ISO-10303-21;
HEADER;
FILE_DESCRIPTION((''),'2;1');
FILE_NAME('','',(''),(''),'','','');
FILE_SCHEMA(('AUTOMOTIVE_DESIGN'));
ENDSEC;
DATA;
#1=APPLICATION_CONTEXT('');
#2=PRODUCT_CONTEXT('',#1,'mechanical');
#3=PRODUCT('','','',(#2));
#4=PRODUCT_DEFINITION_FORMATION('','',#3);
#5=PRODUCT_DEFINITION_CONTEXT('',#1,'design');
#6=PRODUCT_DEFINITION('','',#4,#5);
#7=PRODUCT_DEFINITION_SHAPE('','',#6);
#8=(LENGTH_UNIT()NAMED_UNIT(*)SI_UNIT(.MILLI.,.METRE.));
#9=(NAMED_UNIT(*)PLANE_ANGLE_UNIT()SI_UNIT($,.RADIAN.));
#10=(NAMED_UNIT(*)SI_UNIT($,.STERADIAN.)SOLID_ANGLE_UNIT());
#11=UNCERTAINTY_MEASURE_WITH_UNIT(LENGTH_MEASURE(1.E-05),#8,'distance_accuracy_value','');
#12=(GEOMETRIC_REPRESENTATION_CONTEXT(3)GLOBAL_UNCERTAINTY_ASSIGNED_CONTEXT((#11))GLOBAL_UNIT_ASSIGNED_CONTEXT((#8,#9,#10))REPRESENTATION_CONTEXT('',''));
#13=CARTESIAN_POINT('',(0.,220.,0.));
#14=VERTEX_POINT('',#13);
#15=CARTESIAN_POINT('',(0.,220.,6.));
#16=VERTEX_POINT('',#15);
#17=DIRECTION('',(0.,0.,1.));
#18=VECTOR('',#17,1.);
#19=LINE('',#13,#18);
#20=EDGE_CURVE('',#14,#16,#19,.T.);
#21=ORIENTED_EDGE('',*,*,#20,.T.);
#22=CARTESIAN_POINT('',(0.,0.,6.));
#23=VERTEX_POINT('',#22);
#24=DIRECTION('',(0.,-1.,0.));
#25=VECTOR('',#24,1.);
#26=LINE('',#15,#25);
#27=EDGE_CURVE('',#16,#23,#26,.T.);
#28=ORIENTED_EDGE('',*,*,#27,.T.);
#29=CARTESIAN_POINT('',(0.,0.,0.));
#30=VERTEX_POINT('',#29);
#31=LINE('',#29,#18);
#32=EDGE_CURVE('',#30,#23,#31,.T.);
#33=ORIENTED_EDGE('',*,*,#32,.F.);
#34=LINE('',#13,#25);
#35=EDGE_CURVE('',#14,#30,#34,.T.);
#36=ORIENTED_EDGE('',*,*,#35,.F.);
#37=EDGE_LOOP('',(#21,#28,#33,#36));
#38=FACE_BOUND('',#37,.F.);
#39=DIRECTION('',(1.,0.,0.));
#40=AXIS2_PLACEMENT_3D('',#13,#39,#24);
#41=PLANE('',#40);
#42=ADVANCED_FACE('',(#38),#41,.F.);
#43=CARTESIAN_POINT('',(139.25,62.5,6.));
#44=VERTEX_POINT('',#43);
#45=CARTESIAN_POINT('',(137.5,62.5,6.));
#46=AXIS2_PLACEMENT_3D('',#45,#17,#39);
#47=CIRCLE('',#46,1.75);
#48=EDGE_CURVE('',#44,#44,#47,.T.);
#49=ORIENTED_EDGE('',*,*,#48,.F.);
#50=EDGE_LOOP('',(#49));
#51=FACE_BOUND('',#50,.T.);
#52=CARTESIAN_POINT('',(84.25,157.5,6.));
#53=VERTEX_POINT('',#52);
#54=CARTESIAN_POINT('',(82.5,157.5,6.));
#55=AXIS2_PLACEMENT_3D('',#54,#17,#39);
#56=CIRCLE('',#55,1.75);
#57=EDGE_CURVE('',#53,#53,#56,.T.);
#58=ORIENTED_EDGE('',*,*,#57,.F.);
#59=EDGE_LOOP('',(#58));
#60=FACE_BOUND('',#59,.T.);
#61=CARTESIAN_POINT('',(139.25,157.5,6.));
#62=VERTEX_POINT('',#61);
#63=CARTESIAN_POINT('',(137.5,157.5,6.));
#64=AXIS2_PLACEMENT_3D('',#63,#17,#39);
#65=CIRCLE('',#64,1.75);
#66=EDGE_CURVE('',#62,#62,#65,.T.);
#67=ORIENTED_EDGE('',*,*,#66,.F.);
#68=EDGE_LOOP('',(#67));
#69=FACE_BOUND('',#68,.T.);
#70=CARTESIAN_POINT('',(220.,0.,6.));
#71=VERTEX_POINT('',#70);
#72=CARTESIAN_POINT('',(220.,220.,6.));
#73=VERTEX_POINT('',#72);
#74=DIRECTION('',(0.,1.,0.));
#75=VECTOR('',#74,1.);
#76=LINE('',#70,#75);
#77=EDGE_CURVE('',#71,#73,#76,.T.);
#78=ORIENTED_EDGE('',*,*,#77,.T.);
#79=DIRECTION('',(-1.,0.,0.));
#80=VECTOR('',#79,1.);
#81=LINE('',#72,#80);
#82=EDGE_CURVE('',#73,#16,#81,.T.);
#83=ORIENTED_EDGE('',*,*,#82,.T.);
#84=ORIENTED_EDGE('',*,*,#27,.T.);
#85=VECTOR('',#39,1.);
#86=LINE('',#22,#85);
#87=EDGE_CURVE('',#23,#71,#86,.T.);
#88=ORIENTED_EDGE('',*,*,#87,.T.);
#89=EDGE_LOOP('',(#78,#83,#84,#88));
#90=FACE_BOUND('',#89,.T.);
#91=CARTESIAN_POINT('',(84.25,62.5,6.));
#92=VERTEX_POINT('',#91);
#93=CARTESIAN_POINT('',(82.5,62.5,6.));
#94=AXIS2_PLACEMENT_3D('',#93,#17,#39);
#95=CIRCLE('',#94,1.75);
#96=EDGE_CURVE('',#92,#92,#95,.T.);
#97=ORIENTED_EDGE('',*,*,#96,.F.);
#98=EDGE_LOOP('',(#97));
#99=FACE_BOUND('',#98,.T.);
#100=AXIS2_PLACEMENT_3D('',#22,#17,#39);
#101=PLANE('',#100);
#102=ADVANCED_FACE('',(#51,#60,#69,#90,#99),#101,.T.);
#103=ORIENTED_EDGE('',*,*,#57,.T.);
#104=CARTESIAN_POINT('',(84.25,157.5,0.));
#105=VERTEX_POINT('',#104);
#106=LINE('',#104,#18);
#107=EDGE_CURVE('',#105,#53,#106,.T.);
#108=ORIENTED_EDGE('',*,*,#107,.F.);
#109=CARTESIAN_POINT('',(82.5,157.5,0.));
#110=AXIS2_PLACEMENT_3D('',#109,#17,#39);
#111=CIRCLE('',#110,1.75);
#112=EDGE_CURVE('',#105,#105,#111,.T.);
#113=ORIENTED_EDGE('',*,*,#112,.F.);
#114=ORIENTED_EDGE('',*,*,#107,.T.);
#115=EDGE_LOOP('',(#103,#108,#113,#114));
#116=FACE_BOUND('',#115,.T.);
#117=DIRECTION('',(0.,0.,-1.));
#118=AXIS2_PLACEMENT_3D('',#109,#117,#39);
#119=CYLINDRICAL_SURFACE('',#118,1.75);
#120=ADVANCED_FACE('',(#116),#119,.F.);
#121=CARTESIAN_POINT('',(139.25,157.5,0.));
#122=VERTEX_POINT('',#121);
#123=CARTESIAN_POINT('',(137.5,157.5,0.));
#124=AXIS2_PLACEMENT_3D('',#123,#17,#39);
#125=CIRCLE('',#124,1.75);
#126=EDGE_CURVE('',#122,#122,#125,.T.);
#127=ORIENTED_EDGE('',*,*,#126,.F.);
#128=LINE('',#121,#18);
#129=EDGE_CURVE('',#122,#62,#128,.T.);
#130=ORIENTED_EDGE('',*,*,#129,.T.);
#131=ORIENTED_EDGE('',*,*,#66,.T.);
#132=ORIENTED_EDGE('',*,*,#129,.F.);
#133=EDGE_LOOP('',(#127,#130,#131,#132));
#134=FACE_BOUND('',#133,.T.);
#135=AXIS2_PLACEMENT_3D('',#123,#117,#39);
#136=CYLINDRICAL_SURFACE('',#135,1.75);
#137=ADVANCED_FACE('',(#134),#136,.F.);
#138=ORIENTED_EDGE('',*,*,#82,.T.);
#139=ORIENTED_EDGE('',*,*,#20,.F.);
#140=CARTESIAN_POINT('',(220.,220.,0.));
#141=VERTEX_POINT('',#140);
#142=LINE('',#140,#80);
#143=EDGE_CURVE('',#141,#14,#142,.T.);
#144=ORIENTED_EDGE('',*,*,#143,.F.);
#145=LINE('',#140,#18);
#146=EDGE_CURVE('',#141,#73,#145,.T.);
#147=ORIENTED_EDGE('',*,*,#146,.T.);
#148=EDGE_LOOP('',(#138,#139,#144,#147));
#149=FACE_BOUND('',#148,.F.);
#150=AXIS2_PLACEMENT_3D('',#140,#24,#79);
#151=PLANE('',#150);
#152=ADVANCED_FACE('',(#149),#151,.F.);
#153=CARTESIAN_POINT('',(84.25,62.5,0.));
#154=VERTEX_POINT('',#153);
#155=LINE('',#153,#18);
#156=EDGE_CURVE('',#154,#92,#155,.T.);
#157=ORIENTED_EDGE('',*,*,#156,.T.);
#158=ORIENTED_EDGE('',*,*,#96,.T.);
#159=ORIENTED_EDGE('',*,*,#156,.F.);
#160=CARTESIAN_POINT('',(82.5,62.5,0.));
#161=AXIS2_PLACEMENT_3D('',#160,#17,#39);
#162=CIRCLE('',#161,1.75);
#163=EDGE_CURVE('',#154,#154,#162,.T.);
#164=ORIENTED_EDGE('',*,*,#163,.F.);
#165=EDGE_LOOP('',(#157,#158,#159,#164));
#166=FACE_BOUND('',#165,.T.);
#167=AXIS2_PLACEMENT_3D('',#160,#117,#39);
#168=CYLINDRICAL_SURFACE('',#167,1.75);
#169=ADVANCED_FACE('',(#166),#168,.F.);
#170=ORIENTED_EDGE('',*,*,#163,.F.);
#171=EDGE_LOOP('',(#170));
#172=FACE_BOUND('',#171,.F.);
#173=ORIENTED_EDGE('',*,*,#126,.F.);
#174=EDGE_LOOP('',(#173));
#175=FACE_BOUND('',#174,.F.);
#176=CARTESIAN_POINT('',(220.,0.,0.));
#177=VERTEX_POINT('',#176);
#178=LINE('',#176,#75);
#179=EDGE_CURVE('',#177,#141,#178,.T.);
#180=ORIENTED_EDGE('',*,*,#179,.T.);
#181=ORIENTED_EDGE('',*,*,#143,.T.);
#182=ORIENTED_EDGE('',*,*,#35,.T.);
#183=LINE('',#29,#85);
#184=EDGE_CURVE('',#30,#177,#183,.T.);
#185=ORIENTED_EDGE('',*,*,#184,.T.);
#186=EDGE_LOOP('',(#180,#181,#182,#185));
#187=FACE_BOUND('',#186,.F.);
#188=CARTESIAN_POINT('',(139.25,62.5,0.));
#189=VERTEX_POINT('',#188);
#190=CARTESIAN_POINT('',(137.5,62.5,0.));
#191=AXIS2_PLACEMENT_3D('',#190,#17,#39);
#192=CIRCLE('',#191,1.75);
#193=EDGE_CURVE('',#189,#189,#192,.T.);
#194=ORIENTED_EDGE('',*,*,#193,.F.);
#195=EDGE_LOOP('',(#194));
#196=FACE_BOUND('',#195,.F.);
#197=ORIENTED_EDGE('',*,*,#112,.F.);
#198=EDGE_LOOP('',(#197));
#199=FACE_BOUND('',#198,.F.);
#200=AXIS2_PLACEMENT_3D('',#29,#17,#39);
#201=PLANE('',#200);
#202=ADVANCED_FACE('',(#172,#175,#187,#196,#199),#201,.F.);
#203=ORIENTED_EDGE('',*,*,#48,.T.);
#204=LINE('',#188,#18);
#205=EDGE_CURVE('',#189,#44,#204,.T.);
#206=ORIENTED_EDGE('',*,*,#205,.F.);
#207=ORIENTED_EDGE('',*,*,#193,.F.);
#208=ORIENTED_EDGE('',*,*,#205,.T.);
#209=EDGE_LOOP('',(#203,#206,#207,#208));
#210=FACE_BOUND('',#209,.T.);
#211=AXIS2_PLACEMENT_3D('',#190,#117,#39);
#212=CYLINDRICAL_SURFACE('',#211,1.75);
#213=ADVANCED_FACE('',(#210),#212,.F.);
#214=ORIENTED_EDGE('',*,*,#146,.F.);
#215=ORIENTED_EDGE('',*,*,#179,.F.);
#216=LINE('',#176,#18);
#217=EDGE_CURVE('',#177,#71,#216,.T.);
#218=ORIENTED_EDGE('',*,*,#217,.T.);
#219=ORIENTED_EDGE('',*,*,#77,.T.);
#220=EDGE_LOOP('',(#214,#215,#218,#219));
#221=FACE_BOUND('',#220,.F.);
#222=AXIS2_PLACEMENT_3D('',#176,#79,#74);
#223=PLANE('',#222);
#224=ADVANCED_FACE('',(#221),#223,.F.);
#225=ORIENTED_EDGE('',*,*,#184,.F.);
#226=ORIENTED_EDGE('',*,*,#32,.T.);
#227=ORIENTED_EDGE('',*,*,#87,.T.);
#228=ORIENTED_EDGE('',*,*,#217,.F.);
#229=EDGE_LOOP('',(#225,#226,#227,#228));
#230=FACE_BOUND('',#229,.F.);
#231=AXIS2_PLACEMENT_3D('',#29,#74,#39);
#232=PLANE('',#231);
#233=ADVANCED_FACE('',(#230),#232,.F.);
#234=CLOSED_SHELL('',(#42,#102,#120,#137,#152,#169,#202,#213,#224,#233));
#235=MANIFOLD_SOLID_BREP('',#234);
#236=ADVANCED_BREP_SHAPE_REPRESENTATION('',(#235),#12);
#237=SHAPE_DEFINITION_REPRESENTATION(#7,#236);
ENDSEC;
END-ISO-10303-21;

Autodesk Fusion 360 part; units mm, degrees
sketch "Sketch1" plane through (0, 0, 0) normal (0, 0, 1) x (1, 0, 0)
  line L0 (0, 0) -> (220, 0)
  line L1 (220, 0) -> (220, 220)
  line L2 (220, 220) -> (0, 220)
  line L3 (0, 220) -> (0, 0)
  circle A0 centre (82.5, 62.5) radius 1.75
  circle A1 centre (137.5, 62.5) radius 1.75
  circle A2 centre (82.5, 157.5) radius 1.75
  circle A3 centre (137.5, 157.5) radius 1.75
  dimension "d3" = 220
  dimension "d5" = 3.5
  dimension "d6" = 82.5
  dimension "d9" = 220
  dimension "d10" = 220
  dimension "d11" = 220
  dimension "d13" = 62.5
  dimension "d16" = 55
  dimension "d17" = 95
  dimension "d18" = 95
  dimension "d19" = 82.5
extrude "Extrude1" add sketch "Sketch1" along normal blind 6
